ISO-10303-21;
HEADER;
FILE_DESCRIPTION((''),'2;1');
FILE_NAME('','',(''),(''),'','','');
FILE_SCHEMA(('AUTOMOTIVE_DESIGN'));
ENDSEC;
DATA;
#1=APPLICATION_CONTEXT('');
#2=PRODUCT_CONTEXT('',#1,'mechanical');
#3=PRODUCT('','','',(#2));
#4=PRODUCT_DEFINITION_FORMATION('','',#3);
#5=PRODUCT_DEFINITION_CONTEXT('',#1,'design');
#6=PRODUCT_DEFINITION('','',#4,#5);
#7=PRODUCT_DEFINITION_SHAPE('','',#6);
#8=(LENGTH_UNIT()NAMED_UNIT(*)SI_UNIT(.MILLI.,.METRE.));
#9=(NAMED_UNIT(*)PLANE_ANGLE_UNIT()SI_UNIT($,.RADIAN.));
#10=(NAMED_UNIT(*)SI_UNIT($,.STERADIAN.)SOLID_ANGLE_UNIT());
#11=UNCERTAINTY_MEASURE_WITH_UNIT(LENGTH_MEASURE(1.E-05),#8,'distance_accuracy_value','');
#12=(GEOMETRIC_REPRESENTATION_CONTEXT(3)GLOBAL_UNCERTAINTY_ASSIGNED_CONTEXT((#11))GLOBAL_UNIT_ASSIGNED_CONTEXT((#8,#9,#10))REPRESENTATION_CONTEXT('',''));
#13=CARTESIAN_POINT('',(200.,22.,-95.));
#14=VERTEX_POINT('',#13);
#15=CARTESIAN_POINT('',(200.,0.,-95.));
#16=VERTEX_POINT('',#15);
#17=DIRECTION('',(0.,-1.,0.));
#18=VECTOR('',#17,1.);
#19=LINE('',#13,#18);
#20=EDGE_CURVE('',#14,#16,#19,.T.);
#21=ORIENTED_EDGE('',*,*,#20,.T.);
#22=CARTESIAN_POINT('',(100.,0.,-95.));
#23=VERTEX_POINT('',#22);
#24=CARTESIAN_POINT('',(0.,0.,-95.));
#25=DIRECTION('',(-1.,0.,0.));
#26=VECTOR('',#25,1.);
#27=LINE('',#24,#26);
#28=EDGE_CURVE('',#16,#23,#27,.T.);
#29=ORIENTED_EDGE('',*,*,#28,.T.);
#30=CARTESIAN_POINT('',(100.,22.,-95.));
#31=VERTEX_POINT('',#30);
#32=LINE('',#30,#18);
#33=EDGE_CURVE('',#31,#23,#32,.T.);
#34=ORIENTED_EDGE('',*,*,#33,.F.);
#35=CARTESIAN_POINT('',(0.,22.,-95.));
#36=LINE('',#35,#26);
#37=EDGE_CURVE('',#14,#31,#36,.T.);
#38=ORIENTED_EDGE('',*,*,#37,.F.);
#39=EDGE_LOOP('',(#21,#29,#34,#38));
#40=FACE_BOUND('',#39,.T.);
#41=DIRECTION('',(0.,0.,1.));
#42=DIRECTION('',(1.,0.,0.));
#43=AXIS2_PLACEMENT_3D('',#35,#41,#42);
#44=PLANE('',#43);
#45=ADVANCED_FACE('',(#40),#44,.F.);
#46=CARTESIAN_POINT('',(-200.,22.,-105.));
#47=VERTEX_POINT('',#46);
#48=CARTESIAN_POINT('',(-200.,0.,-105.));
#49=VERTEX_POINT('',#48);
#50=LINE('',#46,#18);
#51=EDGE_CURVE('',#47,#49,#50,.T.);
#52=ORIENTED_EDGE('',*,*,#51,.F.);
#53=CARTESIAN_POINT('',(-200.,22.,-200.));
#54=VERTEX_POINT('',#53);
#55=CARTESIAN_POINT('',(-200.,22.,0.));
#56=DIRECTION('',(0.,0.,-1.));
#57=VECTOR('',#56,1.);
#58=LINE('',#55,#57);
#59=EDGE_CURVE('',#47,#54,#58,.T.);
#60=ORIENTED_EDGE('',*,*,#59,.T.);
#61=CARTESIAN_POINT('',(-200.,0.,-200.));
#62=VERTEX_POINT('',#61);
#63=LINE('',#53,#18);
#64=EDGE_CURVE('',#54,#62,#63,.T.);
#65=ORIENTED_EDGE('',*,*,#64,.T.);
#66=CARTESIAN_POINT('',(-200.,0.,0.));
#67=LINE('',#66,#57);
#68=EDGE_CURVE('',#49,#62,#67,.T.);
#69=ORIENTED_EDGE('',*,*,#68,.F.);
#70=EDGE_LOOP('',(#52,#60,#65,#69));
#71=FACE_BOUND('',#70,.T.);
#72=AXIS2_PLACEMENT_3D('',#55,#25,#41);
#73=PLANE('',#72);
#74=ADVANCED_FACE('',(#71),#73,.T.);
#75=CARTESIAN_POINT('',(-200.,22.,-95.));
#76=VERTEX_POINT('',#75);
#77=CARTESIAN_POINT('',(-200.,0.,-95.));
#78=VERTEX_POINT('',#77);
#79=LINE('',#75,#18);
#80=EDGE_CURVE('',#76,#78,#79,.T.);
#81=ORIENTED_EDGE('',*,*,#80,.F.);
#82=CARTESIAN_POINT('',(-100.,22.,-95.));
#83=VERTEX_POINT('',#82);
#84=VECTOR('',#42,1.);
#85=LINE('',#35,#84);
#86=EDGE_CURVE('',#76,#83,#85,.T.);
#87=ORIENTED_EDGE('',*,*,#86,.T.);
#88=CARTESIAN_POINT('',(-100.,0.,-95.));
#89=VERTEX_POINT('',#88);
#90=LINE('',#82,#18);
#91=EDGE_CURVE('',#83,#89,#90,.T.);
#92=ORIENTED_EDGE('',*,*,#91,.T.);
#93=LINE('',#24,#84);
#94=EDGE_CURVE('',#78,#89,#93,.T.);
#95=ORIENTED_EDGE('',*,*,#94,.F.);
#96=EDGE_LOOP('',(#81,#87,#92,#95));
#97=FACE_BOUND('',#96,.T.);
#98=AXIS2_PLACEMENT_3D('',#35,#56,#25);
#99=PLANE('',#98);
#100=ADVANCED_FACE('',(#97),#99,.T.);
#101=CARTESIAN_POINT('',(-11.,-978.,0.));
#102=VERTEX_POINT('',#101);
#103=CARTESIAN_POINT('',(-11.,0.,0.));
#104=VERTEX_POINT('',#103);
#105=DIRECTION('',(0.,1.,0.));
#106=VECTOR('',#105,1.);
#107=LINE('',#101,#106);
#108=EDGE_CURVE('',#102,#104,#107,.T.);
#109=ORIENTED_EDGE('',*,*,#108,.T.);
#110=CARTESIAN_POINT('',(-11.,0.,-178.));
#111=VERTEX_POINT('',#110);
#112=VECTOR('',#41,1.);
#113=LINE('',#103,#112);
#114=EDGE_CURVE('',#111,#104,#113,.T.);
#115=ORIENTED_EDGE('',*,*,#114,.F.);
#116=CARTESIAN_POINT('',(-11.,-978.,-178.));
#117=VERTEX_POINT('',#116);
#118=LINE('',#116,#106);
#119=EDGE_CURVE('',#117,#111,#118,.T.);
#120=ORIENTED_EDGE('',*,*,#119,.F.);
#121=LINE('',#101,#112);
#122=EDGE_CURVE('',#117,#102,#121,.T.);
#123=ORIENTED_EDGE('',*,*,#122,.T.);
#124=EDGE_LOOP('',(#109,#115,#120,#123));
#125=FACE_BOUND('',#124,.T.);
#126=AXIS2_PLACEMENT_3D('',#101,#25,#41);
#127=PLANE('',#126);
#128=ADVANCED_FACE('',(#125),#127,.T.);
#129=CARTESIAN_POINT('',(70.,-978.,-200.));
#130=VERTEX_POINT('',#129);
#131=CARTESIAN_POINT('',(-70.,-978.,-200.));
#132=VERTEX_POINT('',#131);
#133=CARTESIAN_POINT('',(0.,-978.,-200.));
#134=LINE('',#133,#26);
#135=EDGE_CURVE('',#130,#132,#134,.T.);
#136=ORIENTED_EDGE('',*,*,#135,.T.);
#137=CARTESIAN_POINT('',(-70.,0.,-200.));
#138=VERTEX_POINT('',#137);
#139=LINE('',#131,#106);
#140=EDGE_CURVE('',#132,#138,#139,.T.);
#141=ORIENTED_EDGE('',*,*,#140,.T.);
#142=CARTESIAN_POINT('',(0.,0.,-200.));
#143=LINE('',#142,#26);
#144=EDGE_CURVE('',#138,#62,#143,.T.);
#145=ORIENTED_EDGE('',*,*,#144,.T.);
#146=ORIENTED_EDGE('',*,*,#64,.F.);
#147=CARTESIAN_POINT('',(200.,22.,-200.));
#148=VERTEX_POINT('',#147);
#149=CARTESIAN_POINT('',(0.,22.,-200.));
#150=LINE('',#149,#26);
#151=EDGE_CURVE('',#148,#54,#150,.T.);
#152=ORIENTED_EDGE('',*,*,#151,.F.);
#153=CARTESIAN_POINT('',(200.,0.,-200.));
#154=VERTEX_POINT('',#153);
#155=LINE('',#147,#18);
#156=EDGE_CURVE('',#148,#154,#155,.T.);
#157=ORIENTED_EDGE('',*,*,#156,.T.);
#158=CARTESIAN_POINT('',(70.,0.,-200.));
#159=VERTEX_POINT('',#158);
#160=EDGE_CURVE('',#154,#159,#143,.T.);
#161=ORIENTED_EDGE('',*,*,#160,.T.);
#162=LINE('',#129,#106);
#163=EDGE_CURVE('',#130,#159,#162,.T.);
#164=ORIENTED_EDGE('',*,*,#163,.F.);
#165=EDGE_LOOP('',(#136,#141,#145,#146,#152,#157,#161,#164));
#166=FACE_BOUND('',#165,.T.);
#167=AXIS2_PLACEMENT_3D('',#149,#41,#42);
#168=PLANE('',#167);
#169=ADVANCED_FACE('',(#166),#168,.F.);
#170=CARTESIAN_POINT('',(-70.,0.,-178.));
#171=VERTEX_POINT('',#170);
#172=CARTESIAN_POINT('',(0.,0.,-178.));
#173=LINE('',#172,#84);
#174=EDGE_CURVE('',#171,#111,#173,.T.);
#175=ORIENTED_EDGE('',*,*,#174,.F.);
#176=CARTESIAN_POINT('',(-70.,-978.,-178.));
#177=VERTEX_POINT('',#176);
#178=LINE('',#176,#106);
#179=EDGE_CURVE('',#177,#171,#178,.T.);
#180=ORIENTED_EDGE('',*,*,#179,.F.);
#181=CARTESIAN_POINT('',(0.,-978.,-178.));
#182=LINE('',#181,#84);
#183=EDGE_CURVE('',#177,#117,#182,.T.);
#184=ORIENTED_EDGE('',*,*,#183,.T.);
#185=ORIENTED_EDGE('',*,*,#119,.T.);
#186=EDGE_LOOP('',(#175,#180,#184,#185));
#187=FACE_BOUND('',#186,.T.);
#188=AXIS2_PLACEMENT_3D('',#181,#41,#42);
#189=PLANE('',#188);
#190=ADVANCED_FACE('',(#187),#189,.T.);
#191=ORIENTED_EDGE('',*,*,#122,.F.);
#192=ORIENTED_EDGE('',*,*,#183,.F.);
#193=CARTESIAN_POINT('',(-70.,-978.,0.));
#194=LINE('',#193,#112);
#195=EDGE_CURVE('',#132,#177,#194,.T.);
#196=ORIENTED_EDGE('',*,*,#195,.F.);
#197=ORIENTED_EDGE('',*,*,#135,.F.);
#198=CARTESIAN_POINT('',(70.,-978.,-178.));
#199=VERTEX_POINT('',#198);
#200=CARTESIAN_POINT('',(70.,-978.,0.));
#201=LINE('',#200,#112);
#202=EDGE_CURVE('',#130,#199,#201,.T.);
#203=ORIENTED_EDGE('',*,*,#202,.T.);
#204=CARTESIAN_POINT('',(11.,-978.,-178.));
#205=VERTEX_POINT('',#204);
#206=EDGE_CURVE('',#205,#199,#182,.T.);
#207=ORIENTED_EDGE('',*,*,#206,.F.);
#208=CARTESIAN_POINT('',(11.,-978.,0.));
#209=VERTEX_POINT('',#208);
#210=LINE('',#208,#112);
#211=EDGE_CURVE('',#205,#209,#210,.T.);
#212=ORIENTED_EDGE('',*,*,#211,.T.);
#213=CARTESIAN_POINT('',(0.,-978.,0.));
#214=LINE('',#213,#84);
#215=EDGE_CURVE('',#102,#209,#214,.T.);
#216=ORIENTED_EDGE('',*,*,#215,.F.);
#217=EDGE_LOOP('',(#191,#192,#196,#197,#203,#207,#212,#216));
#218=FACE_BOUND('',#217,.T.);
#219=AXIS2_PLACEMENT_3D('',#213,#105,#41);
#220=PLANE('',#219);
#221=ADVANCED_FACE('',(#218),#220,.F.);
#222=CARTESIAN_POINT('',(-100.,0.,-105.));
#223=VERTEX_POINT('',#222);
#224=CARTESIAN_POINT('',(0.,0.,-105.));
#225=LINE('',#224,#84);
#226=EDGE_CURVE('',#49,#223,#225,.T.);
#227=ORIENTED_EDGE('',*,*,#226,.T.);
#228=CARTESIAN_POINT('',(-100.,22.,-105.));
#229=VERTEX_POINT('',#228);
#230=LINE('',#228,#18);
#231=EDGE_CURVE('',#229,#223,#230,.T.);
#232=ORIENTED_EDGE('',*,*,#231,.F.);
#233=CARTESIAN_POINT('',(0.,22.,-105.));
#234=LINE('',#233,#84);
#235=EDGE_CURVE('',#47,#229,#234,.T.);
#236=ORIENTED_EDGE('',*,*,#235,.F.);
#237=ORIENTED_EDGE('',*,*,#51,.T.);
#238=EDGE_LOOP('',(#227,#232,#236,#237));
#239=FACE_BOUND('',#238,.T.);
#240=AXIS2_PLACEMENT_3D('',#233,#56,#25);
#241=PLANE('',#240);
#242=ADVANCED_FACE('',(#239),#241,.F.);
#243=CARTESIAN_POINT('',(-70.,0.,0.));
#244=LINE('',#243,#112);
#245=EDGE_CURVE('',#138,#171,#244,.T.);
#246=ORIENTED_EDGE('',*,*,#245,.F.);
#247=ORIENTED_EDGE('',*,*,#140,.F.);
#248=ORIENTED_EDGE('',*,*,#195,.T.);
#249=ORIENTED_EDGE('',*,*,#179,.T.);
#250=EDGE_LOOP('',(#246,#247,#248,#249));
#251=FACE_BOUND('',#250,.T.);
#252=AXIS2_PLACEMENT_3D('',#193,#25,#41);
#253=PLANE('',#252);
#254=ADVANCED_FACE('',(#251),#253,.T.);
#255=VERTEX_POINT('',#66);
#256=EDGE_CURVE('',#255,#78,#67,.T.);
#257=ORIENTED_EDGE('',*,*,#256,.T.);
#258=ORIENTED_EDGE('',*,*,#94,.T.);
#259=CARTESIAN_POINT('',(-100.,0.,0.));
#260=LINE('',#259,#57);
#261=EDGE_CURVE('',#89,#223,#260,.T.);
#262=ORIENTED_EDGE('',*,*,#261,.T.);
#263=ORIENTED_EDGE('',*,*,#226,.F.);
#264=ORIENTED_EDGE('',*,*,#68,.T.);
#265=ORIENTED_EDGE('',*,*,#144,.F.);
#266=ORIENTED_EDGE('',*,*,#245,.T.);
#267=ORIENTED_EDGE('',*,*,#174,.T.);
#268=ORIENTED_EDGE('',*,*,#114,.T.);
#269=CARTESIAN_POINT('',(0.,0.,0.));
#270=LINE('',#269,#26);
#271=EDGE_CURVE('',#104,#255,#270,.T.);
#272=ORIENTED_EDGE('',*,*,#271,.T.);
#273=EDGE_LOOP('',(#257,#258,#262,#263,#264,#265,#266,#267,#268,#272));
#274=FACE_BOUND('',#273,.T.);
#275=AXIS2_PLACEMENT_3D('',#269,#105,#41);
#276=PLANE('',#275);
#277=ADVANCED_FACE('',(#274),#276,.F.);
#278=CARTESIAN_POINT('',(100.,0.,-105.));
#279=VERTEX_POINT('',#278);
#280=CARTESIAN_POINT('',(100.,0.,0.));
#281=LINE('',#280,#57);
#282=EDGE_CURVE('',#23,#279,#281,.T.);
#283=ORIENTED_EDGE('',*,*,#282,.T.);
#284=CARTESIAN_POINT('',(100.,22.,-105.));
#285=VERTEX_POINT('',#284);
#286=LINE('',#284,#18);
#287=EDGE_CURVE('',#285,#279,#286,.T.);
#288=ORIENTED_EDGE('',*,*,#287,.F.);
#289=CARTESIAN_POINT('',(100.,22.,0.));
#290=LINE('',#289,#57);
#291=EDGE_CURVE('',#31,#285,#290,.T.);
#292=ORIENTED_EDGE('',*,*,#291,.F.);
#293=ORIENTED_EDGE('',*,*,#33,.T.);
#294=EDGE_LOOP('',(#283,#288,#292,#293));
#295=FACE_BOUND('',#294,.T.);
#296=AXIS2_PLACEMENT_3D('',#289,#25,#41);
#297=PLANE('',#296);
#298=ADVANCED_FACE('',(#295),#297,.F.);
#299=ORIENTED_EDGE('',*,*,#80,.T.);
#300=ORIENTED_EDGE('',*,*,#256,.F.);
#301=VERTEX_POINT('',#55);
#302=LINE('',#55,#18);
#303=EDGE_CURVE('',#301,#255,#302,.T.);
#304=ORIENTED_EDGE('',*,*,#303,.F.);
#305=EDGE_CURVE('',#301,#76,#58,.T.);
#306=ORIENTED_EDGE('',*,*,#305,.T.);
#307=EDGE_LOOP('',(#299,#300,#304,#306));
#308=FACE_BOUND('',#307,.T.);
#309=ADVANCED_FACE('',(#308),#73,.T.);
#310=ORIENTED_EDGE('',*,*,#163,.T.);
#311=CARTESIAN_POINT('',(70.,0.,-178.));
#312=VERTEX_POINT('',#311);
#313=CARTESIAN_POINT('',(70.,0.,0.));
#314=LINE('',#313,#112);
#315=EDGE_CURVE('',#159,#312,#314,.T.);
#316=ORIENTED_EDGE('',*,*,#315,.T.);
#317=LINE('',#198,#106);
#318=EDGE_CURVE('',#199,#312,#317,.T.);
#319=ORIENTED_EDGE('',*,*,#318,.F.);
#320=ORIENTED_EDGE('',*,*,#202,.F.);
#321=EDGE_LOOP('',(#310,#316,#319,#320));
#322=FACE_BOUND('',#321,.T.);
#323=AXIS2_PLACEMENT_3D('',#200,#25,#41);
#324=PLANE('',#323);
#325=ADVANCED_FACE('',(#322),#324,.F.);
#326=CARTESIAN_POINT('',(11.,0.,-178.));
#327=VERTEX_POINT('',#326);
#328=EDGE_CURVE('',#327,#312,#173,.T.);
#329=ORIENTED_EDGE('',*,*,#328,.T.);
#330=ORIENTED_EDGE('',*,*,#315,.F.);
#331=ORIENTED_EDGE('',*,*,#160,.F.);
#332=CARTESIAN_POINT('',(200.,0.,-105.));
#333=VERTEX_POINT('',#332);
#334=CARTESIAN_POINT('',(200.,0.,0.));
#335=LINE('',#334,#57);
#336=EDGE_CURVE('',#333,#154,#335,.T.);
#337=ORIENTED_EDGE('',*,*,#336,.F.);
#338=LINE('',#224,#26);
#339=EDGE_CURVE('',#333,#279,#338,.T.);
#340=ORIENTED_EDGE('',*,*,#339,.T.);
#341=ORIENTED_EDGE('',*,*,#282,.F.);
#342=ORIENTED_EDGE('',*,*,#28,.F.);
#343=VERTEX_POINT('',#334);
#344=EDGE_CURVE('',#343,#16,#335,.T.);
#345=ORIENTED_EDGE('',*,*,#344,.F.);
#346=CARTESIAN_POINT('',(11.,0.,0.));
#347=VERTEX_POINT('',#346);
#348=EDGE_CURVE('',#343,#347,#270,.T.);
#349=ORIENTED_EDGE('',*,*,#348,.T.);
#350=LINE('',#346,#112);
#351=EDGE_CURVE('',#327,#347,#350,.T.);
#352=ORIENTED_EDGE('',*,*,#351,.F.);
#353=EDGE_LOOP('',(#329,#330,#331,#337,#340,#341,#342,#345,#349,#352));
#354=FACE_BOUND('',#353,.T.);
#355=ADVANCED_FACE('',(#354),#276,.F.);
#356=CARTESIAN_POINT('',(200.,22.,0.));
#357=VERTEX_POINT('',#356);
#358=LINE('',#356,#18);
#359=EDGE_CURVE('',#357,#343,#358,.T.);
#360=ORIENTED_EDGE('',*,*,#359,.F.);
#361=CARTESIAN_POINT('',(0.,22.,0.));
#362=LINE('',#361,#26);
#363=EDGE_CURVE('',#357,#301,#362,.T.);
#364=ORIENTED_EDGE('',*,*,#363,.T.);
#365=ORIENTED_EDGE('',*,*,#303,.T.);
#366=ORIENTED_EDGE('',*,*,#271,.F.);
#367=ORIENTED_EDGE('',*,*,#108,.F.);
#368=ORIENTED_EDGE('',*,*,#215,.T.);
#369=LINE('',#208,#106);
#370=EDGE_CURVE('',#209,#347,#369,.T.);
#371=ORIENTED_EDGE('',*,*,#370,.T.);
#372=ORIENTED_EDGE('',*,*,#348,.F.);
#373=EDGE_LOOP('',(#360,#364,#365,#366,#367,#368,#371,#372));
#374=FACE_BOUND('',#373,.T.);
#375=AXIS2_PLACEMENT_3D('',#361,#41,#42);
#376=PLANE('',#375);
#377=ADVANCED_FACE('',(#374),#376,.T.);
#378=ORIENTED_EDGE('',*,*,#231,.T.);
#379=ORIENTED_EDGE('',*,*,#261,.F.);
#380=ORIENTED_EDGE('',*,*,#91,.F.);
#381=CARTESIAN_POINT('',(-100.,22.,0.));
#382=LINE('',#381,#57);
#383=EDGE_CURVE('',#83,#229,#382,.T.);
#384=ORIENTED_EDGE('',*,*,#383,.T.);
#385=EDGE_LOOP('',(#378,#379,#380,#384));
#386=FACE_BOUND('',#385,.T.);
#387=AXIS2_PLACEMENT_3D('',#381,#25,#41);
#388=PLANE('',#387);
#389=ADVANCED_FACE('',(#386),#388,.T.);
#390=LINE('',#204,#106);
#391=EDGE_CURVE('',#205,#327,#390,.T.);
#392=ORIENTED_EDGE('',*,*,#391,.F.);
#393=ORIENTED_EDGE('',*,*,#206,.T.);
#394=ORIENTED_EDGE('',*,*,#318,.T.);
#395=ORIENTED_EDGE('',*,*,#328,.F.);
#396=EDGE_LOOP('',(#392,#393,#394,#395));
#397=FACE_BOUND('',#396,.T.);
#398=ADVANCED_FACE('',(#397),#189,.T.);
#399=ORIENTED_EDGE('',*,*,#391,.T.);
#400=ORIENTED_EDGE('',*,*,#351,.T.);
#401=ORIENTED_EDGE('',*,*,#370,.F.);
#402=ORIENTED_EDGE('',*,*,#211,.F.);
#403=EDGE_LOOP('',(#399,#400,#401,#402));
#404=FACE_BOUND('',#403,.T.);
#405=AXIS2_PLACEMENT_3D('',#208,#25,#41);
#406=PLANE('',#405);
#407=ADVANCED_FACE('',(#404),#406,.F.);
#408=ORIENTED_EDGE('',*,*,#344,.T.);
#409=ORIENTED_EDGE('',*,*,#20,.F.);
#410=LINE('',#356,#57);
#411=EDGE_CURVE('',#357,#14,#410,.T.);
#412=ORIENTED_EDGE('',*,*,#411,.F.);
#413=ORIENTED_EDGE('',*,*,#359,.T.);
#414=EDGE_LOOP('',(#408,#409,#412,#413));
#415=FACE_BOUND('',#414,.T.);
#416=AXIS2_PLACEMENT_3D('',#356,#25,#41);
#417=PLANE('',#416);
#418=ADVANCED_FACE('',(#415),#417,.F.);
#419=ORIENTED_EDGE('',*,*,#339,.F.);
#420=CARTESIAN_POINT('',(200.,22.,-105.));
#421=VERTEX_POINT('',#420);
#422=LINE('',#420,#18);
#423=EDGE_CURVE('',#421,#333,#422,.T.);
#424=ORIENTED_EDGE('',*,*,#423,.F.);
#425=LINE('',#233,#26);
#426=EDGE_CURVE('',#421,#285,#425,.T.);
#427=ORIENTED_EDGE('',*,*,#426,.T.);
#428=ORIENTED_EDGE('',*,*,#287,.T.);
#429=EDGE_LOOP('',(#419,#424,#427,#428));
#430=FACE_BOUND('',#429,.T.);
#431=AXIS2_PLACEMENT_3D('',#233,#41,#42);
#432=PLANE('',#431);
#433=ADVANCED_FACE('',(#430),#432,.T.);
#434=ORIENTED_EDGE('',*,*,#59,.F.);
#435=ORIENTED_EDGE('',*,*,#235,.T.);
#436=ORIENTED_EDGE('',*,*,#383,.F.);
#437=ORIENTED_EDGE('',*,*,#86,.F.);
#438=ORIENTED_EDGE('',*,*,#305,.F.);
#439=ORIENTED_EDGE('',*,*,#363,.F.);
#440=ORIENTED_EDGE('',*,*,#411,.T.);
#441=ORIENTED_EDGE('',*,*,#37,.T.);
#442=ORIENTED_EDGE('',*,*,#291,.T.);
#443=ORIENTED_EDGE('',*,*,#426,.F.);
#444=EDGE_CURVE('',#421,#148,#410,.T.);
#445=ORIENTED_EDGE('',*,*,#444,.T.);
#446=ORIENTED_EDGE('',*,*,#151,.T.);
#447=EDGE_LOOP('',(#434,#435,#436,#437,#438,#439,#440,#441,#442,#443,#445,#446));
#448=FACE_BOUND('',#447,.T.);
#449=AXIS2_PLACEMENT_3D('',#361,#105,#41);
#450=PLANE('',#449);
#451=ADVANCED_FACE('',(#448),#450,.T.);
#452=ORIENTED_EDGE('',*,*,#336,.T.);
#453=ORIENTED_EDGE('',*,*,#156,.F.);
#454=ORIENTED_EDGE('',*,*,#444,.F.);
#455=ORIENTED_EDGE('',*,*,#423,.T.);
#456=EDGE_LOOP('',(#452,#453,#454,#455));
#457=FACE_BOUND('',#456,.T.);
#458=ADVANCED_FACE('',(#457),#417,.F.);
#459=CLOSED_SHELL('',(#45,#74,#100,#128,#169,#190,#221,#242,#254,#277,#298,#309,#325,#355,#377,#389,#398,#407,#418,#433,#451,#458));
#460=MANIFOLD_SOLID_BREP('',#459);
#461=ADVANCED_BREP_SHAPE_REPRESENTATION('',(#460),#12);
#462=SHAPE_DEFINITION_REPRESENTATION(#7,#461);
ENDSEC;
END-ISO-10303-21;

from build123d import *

# Parameters (mm, degrees)
BOSS_EXTRU_1_DEPTH = 22
ESQUISSE3_W        = 22
ESQUISSE3_H        = 178
BOSS_EXTRU_2_DEPTH = 1000


with BuildPart() as part:
    # Esquisse2 → Boss.-Extru.1 (new body)
    with BuildSketch(Plane(origin=(0, 0, 0), x_dir=(1, 0, 0), z_dir=(0, 1, 0))):
        Polygon((-200, 0), (0, 0), (0, 200), (-200, 200), (-200, 105), (-100, 105), (-100, 95), (-200, 95), align=None)
    boss_extru_1 = extrude(amount=BOSS_EXTRU_1_DEPTH)

    # Symétrie1: Boss.-Extru.1 across plane
    add(boss_extru_1.mirror(Plane(origin=(0, 22, 0), x_dir=(0, 0, 1), z_dir=(-1, 0, 0))))

    # Esquisse3 → Boss.-Extru.2 (add)
    with BuildSketch(Plane(origin=(0, 22, 0), x_dir=(1, 0, 0), z_dir=(0, 1, 0))):
        Polygon((70, 200), (-70, 200), (-70, 178), (-11, 178), (11, 178), (70, 178), align=None)
        with Locations((0, 89)):
            Rectangle(ESQUISSE3_W, ESQUISSE3_H)
    extrude(amount=-BOSS_EXTRU_2_DEPTH)


solid = part.part
